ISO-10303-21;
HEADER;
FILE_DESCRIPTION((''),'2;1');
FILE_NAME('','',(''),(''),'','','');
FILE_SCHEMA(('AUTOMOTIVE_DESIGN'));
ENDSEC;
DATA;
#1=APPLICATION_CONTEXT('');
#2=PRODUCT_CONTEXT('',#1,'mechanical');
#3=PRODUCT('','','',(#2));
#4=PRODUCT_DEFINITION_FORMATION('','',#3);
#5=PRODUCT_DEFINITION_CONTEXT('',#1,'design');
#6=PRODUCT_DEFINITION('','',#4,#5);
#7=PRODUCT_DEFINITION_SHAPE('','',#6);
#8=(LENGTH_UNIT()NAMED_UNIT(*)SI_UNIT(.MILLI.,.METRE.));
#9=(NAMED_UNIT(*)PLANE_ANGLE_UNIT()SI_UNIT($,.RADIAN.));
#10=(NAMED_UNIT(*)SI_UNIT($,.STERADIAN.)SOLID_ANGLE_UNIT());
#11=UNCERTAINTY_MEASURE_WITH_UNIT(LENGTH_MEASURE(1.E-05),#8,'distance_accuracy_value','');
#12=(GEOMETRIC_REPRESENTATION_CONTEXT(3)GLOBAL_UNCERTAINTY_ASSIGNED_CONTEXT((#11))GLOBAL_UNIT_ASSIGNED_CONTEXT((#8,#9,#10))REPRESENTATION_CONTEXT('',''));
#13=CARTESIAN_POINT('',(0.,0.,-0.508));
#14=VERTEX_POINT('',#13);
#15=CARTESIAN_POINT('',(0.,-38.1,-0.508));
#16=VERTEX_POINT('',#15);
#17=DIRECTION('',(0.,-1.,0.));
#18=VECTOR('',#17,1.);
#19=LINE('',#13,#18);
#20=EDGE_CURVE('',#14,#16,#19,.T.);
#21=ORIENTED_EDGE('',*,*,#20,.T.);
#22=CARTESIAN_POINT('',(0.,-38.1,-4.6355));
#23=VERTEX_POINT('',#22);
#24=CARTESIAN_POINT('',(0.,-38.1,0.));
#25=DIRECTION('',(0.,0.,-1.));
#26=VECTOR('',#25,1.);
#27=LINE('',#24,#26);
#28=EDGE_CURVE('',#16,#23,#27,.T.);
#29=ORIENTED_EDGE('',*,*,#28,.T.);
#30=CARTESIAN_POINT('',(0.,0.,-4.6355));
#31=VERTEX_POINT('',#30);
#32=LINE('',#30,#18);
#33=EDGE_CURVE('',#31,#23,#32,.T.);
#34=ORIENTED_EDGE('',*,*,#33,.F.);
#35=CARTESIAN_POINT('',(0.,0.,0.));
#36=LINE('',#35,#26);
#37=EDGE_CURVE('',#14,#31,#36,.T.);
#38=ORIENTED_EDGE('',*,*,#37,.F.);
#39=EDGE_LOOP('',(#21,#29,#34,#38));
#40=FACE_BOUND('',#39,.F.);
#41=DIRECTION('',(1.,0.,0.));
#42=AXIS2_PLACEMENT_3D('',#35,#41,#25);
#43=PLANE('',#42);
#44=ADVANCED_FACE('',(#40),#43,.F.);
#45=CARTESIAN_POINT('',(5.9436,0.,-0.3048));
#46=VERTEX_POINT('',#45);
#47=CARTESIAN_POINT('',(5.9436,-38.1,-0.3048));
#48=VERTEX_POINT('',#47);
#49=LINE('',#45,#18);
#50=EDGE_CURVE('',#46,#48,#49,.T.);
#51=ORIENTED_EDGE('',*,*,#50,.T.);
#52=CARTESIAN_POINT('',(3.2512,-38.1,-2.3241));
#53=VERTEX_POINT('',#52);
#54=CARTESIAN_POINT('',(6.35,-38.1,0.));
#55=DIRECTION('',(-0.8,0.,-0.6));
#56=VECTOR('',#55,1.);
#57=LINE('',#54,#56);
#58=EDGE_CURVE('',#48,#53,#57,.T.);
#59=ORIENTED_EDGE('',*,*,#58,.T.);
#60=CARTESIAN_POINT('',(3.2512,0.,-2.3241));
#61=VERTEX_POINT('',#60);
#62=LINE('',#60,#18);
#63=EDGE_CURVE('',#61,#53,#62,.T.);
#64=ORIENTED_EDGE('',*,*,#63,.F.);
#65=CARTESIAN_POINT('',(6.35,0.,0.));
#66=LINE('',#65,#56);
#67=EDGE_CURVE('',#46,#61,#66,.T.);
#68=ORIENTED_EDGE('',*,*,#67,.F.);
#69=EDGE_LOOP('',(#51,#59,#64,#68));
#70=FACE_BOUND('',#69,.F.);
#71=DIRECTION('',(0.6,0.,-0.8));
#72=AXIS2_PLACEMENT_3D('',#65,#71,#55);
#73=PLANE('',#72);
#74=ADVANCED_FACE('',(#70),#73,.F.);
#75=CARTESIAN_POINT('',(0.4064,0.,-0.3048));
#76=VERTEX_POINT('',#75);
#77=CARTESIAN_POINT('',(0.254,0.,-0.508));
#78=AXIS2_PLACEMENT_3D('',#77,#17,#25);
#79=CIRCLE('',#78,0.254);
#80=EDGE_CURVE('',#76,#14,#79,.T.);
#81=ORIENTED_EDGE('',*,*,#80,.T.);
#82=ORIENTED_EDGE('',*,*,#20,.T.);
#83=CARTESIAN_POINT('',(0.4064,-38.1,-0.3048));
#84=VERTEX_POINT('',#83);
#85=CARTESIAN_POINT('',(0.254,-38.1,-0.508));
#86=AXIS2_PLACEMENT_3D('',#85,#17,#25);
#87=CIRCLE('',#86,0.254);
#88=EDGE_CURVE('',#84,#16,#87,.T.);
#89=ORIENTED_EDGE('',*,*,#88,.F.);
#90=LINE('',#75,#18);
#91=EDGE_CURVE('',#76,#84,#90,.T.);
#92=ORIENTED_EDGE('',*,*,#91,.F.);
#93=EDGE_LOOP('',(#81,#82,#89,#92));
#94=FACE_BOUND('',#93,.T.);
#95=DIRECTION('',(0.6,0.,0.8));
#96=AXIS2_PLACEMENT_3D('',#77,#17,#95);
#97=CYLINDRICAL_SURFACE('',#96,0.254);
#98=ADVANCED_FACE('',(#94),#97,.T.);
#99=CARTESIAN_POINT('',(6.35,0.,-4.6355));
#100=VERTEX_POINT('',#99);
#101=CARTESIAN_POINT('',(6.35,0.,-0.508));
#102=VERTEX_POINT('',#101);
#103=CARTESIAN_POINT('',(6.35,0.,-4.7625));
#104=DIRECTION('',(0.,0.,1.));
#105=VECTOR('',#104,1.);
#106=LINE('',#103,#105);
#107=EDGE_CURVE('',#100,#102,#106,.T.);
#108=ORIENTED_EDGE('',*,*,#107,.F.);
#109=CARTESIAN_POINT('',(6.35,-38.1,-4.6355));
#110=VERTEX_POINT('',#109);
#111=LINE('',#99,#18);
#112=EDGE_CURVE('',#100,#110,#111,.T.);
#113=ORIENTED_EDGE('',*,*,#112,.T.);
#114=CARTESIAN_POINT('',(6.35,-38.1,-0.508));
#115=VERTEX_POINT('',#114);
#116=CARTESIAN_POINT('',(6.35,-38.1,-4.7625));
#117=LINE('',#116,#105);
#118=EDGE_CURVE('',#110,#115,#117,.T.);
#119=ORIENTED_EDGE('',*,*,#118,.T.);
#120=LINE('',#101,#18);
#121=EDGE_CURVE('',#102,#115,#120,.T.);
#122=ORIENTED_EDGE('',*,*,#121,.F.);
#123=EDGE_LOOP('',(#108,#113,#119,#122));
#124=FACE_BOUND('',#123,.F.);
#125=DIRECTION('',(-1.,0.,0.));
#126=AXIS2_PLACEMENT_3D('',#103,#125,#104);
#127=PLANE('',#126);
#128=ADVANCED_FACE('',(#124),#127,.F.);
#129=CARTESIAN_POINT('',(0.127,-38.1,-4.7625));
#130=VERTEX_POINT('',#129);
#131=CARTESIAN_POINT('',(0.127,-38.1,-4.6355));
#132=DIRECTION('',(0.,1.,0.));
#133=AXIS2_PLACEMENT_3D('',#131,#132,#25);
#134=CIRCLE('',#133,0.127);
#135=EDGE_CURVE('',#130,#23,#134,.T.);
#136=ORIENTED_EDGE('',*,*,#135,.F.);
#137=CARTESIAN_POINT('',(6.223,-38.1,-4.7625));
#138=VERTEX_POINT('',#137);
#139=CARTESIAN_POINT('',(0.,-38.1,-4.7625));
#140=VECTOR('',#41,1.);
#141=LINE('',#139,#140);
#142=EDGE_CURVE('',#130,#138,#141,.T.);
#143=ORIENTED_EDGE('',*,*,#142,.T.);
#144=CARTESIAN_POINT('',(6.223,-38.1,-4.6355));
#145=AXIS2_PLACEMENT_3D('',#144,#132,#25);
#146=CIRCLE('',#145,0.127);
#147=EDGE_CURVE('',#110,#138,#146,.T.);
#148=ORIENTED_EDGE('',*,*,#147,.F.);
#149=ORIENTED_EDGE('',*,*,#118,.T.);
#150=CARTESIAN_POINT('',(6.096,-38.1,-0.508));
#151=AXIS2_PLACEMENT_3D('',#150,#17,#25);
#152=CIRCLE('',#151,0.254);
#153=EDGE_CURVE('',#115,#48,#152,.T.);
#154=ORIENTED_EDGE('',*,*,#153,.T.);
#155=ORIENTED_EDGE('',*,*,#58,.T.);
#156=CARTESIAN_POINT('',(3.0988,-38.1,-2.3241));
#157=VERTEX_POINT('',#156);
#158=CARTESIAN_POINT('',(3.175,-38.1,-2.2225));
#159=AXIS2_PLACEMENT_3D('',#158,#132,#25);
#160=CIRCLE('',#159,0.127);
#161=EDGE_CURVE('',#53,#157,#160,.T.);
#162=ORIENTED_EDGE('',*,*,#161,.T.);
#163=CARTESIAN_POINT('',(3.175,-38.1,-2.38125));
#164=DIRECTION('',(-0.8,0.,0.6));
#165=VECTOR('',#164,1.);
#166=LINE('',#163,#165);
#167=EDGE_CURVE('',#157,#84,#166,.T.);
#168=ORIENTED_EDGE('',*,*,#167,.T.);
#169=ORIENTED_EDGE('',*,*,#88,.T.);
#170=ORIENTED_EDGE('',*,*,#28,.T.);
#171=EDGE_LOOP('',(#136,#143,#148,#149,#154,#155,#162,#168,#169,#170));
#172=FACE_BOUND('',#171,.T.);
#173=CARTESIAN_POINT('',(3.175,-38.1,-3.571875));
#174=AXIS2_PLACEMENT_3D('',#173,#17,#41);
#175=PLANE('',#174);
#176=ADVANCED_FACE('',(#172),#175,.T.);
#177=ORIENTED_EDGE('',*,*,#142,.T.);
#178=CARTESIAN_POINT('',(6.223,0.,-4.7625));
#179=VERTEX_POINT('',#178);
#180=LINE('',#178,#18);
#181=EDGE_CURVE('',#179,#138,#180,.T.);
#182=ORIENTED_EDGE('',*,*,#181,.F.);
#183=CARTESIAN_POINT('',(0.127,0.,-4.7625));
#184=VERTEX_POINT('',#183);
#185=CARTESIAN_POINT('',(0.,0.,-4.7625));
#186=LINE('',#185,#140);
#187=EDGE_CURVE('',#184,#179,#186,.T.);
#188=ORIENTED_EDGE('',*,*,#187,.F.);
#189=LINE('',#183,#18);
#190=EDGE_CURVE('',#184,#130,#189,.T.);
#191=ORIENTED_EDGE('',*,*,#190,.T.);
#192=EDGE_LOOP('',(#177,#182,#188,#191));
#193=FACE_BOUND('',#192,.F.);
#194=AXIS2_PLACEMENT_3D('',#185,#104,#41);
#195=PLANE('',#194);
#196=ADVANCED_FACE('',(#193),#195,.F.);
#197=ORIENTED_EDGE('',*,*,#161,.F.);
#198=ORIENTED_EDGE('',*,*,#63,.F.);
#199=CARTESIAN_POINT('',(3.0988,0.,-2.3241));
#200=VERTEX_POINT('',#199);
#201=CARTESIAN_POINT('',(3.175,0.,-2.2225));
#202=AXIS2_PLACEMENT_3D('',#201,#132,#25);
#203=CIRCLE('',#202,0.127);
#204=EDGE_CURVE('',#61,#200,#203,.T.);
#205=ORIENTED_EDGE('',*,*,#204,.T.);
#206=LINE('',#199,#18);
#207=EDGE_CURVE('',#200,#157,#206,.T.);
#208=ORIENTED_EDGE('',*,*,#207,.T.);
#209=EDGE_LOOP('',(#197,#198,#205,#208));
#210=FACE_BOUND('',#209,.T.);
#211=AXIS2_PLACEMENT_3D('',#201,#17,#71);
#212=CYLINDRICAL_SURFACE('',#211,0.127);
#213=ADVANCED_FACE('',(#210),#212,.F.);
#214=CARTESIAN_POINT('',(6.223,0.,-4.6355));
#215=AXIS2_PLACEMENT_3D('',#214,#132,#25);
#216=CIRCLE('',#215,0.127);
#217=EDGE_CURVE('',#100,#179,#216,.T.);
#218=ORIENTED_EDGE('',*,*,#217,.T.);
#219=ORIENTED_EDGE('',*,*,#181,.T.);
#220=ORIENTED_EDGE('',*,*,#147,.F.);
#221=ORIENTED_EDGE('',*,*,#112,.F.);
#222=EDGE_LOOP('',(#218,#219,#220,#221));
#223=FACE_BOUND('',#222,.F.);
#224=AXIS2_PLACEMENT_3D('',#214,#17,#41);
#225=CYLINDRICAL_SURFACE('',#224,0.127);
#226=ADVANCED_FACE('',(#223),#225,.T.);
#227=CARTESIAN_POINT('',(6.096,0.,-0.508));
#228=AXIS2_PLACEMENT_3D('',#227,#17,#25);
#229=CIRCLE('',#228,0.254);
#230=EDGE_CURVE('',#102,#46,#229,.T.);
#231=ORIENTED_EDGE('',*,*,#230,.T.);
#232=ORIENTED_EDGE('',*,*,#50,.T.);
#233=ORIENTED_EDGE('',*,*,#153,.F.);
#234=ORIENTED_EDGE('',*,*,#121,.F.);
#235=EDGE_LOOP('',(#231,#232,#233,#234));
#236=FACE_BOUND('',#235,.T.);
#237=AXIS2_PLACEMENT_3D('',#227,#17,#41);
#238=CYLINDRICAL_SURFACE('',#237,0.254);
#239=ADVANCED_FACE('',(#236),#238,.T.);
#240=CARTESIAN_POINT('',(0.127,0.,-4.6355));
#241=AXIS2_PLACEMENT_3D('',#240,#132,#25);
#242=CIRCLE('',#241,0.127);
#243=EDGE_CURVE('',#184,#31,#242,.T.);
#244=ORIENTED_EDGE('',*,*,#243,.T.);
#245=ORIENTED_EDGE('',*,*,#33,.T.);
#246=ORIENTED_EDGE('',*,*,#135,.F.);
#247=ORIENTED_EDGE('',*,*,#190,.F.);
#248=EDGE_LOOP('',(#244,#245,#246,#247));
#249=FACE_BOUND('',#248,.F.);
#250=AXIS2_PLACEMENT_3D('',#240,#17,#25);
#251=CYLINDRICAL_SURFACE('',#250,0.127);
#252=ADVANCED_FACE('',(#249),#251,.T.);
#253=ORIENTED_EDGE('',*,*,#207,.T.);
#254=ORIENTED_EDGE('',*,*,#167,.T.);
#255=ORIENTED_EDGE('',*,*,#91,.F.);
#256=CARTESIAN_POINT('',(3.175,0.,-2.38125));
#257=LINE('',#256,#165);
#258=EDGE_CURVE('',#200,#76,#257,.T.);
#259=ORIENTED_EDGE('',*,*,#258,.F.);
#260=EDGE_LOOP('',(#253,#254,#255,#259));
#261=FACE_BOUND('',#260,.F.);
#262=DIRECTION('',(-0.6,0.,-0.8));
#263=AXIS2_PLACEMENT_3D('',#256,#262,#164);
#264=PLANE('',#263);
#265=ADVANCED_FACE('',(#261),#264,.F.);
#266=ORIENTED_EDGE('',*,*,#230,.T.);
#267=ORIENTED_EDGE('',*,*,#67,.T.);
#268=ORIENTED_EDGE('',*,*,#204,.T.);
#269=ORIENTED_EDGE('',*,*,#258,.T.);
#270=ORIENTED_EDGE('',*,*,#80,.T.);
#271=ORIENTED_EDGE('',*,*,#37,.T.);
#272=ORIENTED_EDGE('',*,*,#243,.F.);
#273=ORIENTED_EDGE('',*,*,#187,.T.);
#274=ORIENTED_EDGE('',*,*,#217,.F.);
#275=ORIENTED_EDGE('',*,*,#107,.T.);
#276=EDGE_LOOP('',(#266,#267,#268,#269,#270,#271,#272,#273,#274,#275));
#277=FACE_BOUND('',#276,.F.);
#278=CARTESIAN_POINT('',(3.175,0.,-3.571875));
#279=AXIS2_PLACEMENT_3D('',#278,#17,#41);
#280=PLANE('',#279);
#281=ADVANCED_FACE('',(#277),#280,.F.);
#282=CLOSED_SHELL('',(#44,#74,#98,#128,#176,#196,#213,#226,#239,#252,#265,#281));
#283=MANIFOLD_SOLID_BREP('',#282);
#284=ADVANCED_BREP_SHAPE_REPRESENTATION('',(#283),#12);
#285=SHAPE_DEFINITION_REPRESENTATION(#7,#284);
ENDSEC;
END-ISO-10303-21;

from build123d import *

# Parameters (mm, degrees)
F1_DEPTH = 38.1
F2_R     = 0.254
F3_R     = 0.127


with BuildPart() as f1:
    # F0 (on Front) → F1 (new body)
    with BuildSketch(Plane.XZ):
        Polygon((3.175, -2.38125), (0, -2.38125), (0, -4.7625), (6.35, -4.7625), (6.35, -2.38125), align=None)
        Polygon((3.175, -2.38125), (0, 0), (0, -2.38125), align=None)
        Polygon((6.35, -2.38125), (6.35, 0), (3.175, -2.38125), align=None)
    extrude(amount=F1_DEPTH)

    # F2
    f2_edges = [f1.edges().sort_by_distance(p)[0] for p in [
        (0, -19.05, 0),
        (6.35, -19.05, 0),
    ]]
    fillet(f2_edges, radius=F2_R)

    # F3
    f3_edges = [f1.edges().sort_by_distance(p)[0] for p in [
        (3.175, -19.05, -2.38125),
        (6.35, -19.05, -4.7625),
        (0, -19.05, -4.7625),
    ]]
    fillet(f3_edges, radius=F3_R)


solid = f1.part
